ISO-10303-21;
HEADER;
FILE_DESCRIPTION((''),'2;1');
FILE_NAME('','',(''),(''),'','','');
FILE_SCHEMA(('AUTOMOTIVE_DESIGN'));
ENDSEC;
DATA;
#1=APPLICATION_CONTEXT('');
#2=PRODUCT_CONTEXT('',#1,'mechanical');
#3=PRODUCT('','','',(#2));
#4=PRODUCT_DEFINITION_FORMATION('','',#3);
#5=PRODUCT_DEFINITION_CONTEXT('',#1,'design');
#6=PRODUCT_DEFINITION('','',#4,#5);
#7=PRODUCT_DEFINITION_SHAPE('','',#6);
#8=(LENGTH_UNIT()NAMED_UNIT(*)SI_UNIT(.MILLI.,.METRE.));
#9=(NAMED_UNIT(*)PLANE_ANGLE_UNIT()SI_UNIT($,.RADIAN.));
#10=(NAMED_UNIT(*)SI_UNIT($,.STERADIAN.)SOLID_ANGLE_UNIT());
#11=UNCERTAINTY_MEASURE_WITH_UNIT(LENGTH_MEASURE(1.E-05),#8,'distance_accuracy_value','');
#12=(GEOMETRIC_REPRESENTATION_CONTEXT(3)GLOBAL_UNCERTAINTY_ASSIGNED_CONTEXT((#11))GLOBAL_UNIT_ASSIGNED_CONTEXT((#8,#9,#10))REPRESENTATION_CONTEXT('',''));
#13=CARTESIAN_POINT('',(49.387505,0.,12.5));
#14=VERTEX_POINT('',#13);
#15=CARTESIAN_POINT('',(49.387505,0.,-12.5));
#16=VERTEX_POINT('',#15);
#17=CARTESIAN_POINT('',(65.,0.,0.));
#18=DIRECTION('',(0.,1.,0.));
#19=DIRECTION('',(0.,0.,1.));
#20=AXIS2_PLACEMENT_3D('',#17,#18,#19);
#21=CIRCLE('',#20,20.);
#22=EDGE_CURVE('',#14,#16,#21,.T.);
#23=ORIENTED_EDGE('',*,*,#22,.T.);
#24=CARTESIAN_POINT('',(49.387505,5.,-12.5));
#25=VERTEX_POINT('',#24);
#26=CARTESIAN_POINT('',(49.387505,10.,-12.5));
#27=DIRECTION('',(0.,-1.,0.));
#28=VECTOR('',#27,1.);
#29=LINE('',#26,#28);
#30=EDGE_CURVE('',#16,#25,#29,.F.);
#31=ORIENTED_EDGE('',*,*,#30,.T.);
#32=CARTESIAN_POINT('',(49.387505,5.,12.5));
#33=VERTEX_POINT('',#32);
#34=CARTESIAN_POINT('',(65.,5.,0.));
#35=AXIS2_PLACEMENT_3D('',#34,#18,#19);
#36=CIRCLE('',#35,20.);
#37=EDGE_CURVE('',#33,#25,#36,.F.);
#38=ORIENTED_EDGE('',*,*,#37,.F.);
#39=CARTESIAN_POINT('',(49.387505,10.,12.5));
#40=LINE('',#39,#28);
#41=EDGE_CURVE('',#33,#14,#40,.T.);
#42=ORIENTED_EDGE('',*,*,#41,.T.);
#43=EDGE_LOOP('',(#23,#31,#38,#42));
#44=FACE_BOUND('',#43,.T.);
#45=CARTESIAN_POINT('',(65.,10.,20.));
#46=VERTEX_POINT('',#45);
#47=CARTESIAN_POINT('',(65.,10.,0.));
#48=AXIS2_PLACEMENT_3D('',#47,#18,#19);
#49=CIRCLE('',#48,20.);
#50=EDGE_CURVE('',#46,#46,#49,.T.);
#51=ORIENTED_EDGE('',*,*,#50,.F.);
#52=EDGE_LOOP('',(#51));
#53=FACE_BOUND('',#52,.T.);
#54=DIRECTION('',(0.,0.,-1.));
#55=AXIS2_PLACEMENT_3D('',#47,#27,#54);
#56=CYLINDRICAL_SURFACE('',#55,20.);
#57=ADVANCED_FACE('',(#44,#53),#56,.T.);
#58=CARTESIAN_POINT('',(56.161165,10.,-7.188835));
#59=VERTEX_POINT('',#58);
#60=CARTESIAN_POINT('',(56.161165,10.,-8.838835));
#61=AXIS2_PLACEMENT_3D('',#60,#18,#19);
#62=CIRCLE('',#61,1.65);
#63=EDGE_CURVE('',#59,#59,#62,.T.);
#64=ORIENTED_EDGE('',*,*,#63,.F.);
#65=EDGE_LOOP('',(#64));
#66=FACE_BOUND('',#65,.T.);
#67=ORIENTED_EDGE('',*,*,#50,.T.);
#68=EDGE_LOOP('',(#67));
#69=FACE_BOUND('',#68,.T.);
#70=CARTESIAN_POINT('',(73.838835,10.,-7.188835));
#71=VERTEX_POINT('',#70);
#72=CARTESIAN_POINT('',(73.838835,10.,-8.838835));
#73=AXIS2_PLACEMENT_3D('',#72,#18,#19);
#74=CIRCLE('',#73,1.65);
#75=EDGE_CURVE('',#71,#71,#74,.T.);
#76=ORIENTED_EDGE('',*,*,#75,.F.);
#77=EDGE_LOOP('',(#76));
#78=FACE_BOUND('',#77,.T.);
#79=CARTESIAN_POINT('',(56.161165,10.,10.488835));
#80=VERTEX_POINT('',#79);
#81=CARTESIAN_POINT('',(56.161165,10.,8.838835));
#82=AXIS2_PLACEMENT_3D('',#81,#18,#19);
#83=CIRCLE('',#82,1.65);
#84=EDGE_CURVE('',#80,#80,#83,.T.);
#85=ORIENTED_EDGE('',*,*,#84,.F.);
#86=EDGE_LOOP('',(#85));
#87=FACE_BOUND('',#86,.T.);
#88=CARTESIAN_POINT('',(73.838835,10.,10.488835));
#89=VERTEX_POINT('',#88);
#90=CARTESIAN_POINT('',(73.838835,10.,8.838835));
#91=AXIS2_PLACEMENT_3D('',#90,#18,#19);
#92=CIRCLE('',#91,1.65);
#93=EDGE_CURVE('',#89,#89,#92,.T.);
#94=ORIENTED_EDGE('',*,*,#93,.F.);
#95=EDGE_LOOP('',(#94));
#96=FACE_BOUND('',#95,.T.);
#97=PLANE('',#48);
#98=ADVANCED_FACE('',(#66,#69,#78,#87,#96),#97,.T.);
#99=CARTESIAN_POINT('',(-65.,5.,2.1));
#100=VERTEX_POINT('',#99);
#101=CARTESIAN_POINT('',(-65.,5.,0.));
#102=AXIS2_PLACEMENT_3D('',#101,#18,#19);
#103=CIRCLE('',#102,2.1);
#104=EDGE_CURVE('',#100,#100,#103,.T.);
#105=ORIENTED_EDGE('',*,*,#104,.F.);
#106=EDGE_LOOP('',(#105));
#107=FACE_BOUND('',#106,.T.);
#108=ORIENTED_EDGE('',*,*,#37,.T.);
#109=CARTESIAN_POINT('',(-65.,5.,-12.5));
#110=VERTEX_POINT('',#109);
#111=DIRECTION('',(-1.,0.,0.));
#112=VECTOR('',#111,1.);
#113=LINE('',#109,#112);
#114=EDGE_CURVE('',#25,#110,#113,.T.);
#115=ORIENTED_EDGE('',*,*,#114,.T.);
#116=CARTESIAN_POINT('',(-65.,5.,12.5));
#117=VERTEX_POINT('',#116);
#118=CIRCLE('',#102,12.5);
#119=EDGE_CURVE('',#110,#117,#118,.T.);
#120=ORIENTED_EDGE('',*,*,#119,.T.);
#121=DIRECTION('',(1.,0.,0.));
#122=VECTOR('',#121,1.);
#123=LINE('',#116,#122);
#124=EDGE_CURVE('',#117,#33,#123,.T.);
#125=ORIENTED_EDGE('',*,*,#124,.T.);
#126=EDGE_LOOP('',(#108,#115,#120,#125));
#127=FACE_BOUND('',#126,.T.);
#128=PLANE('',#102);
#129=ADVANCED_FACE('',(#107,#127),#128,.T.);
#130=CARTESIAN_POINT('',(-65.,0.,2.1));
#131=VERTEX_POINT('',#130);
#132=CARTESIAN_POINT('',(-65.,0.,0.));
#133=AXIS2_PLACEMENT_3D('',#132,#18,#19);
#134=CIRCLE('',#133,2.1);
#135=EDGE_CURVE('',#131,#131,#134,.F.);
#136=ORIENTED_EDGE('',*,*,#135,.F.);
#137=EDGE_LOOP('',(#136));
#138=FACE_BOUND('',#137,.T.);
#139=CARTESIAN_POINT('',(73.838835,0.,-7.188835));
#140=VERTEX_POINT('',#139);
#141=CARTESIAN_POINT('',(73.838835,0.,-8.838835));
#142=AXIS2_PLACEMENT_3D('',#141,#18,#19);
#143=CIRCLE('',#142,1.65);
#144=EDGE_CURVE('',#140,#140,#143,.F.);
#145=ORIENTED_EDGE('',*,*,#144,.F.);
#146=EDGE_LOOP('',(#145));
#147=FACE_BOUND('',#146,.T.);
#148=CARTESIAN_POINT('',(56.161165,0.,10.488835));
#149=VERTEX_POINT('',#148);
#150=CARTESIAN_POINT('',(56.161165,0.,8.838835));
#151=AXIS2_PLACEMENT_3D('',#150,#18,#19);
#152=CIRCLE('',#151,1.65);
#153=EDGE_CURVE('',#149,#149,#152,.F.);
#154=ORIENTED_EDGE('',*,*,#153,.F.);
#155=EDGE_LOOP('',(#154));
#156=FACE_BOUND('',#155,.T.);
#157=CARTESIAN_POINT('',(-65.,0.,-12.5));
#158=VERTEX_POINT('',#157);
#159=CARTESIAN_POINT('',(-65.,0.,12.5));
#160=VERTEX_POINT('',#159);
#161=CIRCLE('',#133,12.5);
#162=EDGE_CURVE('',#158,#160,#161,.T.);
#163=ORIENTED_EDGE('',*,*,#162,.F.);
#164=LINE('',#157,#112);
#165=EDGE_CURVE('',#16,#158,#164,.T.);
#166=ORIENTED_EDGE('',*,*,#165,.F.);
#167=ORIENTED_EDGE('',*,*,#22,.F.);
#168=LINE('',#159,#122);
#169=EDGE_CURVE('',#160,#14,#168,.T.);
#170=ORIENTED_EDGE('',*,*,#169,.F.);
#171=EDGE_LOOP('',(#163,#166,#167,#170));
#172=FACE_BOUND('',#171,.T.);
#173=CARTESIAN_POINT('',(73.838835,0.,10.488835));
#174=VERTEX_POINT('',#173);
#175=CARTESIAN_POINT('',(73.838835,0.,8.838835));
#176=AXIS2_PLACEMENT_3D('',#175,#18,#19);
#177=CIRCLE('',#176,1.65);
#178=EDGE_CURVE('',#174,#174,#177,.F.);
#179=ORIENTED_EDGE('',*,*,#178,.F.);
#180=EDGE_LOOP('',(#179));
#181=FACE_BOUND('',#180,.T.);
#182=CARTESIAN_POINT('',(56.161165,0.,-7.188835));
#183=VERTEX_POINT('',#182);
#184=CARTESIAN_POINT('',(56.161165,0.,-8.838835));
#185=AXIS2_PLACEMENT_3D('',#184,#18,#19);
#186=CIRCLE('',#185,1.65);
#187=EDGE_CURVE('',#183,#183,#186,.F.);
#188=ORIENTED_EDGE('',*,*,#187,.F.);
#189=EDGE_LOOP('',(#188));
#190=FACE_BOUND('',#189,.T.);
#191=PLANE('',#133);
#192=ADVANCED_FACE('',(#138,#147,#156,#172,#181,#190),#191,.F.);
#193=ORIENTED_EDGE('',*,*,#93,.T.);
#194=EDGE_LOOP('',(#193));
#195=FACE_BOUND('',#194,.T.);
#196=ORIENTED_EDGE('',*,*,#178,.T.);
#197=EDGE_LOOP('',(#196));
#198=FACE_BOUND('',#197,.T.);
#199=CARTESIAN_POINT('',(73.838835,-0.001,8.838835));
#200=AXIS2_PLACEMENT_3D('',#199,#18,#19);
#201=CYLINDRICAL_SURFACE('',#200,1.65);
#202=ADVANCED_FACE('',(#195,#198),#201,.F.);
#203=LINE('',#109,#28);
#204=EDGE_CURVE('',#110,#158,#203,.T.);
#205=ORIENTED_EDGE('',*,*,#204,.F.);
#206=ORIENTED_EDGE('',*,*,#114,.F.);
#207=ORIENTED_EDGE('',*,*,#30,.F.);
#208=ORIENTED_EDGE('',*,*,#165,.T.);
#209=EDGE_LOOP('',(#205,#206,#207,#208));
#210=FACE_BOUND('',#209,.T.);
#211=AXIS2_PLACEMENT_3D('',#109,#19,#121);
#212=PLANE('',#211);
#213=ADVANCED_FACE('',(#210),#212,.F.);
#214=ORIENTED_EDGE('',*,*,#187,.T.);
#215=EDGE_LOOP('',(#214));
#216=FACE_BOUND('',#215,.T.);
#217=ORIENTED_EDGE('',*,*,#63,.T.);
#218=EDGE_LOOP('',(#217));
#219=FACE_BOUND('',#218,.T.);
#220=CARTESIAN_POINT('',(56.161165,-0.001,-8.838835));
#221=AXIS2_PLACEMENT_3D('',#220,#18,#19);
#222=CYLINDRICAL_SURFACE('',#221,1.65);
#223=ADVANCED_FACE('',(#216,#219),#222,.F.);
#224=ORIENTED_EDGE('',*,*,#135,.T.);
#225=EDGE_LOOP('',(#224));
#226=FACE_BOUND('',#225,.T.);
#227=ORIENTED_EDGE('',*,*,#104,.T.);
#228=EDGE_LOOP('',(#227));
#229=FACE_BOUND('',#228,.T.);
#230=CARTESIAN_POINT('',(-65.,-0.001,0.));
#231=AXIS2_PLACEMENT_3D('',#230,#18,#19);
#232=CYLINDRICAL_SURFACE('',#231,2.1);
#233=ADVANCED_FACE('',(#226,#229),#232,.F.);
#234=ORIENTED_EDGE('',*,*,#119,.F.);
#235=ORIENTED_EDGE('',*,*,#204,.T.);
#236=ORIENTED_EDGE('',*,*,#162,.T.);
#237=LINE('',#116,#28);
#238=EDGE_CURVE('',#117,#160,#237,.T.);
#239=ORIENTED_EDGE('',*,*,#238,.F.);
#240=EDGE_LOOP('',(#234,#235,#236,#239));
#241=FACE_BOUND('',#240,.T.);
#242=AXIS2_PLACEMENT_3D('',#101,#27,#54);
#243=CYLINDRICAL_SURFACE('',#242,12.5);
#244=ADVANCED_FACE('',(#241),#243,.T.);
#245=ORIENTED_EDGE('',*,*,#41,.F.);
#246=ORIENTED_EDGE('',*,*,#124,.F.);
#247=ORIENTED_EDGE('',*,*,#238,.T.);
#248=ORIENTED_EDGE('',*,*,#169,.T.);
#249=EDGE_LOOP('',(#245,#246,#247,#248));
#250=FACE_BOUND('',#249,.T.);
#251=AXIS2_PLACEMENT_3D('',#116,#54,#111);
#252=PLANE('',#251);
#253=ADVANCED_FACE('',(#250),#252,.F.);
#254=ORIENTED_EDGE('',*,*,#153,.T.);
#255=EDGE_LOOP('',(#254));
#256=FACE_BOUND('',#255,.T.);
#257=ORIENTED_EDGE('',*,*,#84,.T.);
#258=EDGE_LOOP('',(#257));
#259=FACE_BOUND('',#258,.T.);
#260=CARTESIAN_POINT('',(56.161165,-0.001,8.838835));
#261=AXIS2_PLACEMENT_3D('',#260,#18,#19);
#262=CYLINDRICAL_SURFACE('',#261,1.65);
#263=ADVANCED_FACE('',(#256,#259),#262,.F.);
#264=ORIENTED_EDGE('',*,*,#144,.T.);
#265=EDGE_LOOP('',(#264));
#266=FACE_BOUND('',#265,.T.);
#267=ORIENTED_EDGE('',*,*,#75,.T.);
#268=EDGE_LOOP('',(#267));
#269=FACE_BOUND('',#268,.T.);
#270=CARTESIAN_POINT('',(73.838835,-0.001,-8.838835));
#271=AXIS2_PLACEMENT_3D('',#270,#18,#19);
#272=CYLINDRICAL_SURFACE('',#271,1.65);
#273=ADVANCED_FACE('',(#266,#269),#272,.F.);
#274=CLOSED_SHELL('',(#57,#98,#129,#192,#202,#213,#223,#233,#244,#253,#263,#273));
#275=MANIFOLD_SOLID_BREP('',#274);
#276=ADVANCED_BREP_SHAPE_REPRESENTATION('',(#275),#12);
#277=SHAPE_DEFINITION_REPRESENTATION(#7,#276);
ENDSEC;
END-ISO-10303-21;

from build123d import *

# Parameters (mm, degrees)
EXTRUDE_1_DEPTH     = 5
SKETCH_7_R          = 20
EXTRUDE_3_DEPTH     = 10
CUT_EXTRUDE_2_REACH = 89.892
SKETCH_8_R          = 1.65
CUT_EXTRUDE_3_REACH = 89.464
SKETCH_9_R          = 2.1


with BuildPart() as part:
    # 草图1 → 凸台-拉伸1 (new body)
    with BuildSketch(Plane(origin=(0, 0, 0), x_dir=(1, 0, 0), z_dir=(0, 1, 0))):
        with BuildLine():
            Line((-65, 12.5), (65, 12.5))
            ThreePointArc((65, 12.5), (77.5, 0), (65, -12.5))
            Line((65, -12.5), (-65, -12.5))
            ThreePointArc((-65, -12.5), (-77.5, 0), (-65, 12.5))
        make_face()
    extrude(amount=EXTRUDE_1_DEPTH)

    # 草图7 → 凸台-拉伸3 (add)
    with BuildSketch(Plane(origin=(0, 0, 0), x_dir=(1, 0, 0), z_dir=(0, 1, 0))):
        with Locations(Location((65, 0, 0), (0, 0, 141.317812547))):
            Circle(SKETCH_7_R)
    extrude(amount=EXTRUDE_3_DEPTH)

    # 草图8 → 切除-拉伸2 (cut, up to next)
    with BuildSketch(Plane(origin=(0, 10, 0), x_dir=(1, 0, 0), z_dir=(0, 1, 0)), mode=Mode.PRIVATE) as cut_extrude_2_sk1:
        with Locations(Location((56.161165235, 8.838834765, 0), (0, 0, 270))):
            Circle(SKETCH_8_R)
    cut_extrude_2_tool1 = extrude(cut_extrude_2_sk1.sketch, amount=-CUT_EXTRUDE_2_REACH, mode=Mode.PRIVATE) & part.part
    # 草图8 → 切除-拉伸2 (cut, up to next)
    with BuildSketch(Plane(origin=(0, 10, 0), x_dir=(1, 0, 0), z_dir=(0, 1, 0)), mode=Mode.PRIVATE) as cut_extrude_2_sk2:
        with Locations(Location((73.838834765, 8.838834765, 0), (0, 0, 270))):
            Circle(SKETCH_8_R)
    cut_extrude_2_tool2 = extrude(cut_extrude_2_sk2.sketch, amount=-CUT_EXTRUDE_2_REACH, mode=Mode.PRIVATE) & part.part
    # 草图8 → 切除-拉伸2 (cut, up to next)
    with BuildSketch(Plane(origin=(0, 10, 0), x_dir=(1, 0, 0), z_dir=(0, 1, 0)), mode=Mode.PRIVATE) as cut_extrude_2_sk3:
        with Locations(Location((73.838834765, -8.838834765, 0), (0, 0, 270))):
            Circle(SKETCH_8_R)
    cut_extrude_2_tool3 = extrude(cut_extrude_2_sk3.sketch, amount=-CUT_EXTRUDE_2_REACH, mode=Mode.PRIVATE) & part.part
    # 草图8 → 切除-拉伸2 (cut, up to next)
    with BuildSketch(Plane(origin=(0, 10, 0), x_dir=(1, 0, 0), z_dir=(0, 1, 0)), mode=Mode.PRIVATE) as cut_extrude_2_sk4:
        with Locations(Location((56.161165235, -8.838834765, 0), (0, 0, 270))):
            Circle(SKETCH_8_R)
    cut_extrude_2_tool4 = extrude(cut_extrude_2_sk4.sketch, amount=-CUT_EXTRUDE_2_REACH, mode=Mode.PRIVATE) & part.part
    add(cut_extrude_2_tool1.solids().sort_by_distance((56.161165, 10, -8.838835))[0], mode=Mode.SUBTRACT)
    add(cut_extrude_2_tool2.solids().sort_by_distance((73.838835, 10, -8.838835))[0], mode=Mode.SUBTRACT)
    add(cut_extrude_2_tool3.solids().sort_by_distance((73.838835, 10, 8.838835))[0], mode=Mode.SUBTRACT)
    add(cut_extrude_2_tool4.solids().sort_by_distance((56.161165, 10, 8.838835))[0], mode=Mode.SUBTRACT)

    # 草图9 → 切除-拉伸3 (cut, up to next)
    with BuildSketch(Plane(origin=(0, 5, 0), x_dir=(1, 0, 0), z_dir=(0, 1, 0)), mode=Mode.PRIVATE) as cut_extrude_3_sk1:
        with Locations(Location((-65, 0, 0), (0, 0, 270))):
            Circle(SKETCH_9_R)
    cut_extrude_3_tool1 = extrude(cut_extrude_3_sk1.sketch, amount=-CUT_EXTRUDE_3_REACH, mode=Mode.PRIVATE) & part.part
    add(cut_extrude_3_tool1.solids().sort_by_distance((-65, 5, 0))[0], mode=Mode.SUBTRACT)


solid = part.part
